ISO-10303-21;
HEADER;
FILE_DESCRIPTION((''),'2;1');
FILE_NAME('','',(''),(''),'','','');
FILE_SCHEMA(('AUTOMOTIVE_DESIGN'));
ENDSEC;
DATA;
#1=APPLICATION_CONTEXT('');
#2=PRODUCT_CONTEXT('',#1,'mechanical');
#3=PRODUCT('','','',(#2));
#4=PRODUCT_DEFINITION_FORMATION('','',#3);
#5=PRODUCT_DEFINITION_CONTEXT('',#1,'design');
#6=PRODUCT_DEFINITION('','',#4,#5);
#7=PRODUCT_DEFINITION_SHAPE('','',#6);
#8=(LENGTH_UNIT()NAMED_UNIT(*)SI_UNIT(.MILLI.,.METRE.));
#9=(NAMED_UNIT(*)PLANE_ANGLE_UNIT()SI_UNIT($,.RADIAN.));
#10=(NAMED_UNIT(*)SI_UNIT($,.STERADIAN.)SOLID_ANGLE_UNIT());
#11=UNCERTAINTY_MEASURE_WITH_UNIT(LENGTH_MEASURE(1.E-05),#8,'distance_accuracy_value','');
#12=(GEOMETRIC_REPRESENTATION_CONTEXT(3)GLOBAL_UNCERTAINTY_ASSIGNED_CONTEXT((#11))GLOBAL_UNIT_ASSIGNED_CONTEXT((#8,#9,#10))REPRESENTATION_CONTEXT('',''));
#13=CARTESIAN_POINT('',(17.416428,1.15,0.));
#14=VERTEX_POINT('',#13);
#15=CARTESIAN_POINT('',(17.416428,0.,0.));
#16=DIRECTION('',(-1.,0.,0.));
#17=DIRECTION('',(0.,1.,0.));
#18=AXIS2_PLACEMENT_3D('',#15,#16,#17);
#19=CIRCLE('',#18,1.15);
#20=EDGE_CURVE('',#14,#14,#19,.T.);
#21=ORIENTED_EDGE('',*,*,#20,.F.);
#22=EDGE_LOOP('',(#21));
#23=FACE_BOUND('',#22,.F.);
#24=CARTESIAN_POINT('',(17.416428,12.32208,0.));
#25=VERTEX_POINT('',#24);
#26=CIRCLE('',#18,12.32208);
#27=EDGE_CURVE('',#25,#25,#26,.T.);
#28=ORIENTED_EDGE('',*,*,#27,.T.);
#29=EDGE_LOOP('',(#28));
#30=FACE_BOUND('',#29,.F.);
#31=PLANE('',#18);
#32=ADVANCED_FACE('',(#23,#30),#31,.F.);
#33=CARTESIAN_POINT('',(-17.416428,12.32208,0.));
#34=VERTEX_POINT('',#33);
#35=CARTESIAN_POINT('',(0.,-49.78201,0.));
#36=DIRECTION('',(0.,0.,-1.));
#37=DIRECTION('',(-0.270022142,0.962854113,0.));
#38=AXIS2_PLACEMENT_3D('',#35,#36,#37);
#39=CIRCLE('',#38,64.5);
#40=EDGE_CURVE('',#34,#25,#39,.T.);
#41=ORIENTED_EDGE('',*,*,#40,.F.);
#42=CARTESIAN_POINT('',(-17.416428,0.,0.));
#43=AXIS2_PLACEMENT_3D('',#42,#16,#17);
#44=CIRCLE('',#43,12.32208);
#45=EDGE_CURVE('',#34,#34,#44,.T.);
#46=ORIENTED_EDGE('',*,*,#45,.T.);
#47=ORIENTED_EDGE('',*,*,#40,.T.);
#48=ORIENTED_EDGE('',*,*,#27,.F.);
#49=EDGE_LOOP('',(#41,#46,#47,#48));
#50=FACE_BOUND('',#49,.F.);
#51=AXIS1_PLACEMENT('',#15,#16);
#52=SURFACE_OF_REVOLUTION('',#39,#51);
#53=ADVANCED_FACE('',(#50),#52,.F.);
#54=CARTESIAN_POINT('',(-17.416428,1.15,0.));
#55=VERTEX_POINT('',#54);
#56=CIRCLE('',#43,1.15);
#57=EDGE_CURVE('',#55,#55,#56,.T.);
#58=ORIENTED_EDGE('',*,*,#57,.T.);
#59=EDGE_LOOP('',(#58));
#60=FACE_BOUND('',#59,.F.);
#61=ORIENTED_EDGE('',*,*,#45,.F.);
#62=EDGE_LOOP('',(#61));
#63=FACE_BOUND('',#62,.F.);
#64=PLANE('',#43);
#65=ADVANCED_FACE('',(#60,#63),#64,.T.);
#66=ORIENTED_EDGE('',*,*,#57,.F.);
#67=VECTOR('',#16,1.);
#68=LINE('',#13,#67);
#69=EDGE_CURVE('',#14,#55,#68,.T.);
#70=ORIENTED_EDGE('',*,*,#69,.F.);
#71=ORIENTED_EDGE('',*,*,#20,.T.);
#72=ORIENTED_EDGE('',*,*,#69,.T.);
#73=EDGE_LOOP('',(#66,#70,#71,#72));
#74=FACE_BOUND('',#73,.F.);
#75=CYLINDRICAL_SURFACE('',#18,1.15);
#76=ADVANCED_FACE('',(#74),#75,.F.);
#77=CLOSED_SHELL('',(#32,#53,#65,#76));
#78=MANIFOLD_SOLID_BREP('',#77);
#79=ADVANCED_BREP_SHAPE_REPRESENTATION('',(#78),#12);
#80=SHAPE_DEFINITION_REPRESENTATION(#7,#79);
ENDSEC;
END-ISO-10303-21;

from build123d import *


with BuildPart() as part:
    # Sketch2 → Revolve2 (revolve)
    with BuildSketch(Plane.XY):
        with BuildLine():
            Line((-17.416428128, 1.15), (-17.416428128, 12.322080058))
            ThreePointArc((-17.416428128, 12.322080058), (0, 14.717989764), (17.416428128, 12.322080058))
            Line((17.416428128, 12.322080058), (17.416428128, 1.15))
            Line((17.416428128, 1.15), (-17.416428128, 1.15))
        make_face()
    revolve(axis=Axis((17.416428128, 0, 0), (-1, 0, 0)))


solid = part.part
